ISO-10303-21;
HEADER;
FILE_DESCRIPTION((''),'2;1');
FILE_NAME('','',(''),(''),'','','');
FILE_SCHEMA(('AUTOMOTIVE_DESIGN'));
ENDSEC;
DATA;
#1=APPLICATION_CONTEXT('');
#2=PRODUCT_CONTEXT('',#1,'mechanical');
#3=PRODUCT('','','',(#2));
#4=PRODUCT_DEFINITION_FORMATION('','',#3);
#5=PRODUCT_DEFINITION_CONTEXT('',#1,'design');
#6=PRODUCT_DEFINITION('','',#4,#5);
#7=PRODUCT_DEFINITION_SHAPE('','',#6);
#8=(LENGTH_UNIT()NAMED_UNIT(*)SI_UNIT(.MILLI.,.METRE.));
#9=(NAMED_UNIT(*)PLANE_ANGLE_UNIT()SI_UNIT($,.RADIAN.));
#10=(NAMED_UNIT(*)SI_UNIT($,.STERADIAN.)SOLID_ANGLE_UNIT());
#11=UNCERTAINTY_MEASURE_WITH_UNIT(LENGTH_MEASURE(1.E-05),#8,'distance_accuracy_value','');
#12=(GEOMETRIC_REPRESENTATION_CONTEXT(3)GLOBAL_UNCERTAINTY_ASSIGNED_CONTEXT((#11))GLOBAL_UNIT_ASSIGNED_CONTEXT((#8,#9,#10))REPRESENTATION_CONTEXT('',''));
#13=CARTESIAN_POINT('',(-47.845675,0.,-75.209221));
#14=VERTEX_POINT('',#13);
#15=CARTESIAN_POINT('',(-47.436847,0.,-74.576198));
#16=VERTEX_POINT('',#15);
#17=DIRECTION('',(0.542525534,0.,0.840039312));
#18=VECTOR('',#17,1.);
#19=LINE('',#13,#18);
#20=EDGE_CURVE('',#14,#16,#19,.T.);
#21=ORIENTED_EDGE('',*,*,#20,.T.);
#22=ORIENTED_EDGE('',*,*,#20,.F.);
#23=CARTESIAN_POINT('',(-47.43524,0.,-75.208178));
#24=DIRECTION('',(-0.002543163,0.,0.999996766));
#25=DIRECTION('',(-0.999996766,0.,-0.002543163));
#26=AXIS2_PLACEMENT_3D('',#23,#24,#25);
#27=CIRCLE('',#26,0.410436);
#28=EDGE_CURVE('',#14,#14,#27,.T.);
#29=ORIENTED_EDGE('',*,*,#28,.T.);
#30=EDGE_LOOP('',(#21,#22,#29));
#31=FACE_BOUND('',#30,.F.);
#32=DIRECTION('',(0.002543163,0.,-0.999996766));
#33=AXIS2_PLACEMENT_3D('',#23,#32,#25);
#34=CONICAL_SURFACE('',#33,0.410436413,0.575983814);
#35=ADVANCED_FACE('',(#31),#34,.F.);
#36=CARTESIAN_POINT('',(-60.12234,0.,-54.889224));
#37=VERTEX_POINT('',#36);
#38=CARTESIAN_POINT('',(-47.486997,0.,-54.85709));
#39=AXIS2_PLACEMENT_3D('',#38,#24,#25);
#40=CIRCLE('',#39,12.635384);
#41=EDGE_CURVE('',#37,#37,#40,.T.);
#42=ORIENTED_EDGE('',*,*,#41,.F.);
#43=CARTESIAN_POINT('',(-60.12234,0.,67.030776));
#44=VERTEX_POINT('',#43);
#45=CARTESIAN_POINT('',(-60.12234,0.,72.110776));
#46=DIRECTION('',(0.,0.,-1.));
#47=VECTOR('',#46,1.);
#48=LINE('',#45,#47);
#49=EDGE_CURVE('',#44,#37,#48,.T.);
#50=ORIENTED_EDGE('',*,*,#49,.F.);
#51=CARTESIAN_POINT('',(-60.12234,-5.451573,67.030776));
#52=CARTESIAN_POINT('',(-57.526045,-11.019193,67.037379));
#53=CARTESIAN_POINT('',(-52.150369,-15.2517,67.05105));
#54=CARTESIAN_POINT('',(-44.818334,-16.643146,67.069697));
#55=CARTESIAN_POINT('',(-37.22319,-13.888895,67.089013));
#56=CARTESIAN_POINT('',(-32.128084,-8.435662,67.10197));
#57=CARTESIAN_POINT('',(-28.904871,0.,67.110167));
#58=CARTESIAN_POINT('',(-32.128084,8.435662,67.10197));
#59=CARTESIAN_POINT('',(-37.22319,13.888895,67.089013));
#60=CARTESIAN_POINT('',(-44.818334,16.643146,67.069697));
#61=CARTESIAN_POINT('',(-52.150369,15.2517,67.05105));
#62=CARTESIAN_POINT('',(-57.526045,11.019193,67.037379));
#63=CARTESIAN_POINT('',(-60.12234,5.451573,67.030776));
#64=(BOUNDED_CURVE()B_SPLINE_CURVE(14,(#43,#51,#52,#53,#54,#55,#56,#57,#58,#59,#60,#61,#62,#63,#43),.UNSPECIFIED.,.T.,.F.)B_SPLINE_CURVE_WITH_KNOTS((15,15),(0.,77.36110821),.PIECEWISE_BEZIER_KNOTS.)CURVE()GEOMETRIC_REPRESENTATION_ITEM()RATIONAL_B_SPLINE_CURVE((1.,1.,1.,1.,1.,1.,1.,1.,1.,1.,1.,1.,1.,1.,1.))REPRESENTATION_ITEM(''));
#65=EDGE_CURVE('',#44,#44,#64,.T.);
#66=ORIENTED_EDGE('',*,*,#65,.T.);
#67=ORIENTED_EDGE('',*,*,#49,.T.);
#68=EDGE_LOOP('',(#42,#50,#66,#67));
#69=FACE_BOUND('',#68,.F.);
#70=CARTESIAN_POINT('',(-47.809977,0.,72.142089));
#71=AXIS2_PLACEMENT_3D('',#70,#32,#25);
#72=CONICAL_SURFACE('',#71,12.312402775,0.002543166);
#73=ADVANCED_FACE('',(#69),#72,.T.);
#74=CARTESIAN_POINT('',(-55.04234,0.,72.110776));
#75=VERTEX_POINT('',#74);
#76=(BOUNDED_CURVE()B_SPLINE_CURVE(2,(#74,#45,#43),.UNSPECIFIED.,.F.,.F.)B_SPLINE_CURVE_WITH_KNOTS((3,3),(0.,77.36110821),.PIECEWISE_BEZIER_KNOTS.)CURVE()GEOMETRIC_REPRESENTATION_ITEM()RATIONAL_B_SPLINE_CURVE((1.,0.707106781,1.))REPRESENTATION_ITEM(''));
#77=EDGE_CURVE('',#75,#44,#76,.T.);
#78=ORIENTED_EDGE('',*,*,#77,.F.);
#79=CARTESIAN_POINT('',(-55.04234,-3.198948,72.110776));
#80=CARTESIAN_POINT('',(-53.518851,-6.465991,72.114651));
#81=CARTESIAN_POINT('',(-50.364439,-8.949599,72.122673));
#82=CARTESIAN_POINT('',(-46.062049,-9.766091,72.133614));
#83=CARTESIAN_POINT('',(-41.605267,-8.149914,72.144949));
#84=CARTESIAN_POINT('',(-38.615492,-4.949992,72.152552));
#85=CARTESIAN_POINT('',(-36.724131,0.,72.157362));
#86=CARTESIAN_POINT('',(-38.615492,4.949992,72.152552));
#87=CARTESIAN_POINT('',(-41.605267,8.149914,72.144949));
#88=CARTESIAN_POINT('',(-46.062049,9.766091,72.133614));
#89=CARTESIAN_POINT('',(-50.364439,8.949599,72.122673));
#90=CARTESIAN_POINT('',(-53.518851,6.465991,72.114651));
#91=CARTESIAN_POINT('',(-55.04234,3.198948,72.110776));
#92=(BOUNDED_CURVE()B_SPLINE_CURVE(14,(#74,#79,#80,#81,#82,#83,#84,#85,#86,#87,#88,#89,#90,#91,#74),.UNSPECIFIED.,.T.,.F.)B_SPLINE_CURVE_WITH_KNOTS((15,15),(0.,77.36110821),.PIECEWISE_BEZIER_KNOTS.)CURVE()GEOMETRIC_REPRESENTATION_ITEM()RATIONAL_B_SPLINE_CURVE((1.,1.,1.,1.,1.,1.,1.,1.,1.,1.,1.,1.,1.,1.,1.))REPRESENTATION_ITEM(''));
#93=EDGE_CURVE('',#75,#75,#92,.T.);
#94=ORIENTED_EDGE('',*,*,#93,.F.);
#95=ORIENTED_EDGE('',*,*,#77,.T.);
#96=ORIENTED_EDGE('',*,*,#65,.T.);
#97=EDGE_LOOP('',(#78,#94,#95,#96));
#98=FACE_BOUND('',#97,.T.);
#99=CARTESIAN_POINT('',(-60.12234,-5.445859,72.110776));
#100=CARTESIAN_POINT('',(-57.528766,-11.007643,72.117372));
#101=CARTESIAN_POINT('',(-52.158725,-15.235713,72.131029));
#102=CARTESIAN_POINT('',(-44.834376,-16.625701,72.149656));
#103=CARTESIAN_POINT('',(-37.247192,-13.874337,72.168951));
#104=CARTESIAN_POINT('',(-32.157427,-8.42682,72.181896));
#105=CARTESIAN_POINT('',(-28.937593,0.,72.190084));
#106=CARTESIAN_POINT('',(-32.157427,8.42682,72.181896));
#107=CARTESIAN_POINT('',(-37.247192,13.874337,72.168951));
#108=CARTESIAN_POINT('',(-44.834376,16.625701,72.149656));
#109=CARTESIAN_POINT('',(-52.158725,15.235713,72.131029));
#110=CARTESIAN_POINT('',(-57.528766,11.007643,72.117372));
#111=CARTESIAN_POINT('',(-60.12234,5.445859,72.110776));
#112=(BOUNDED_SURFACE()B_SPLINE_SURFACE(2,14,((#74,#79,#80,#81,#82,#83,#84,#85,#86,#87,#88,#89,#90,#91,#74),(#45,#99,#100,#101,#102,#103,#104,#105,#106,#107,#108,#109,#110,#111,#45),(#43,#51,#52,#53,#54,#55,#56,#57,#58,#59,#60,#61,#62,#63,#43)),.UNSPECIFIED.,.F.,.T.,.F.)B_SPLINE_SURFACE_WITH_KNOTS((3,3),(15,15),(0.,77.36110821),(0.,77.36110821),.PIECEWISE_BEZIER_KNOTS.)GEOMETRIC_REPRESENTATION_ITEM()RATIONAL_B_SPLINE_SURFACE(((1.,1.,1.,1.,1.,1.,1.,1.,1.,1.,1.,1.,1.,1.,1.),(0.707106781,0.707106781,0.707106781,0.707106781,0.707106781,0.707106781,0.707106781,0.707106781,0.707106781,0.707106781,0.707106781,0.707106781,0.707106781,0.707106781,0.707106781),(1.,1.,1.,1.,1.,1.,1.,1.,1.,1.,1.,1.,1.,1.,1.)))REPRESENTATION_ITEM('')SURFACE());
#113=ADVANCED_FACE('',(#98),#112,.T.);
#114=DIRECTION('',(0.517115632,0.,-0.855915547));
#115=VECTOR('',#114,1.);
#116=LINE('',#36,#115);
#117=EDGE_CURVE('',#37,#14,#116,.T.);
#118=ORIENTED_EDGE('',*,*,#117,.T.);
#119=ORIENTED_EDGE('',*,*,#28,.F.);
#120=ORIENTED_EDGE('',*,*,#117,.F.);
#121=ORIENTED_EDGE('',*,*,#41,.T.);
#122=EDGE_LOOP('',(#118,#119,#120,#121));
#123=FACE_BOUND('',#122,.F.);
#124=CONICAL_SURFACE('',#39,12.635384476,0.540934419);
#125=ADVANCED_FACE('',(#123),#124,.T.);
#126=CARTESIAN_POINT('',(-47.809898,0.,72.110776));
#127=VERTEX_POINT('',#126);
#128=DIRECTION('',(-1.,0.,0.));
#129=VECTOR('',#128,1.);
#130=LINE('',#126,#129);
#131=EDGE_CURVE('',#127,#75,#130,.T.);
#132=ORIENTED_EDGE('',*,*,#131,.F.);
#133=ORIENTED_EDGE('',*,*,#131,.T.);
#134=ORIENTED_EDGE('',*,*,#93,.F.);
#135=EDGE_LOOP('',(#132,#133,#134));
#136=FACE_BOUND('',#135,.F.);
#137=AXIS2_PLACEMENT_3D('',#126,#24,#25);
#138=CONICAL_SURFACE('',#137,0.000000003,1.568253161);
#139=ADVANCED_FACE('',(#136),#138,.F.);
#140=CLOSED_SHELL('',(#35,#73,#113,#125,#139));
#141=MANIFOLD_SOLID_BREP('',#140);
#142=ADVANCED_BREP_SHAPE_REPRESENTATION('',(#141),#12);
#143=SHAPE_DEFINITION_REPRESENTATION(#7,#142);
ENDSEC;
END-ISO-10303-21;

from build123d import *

# Parameters (mm, degrees)
F2_R = 5.08


with BuildPart() as f1:
    # F0 (on Front) → F1 (revolve)
    with BuildSketch(Plane.XZ):
        Polygon((-47.8098975513, 72.1107760788), (-60.1223401397, 72.1107760788), (-60.1223401397, 46.7107760788), (-47.7453010011, 46.7107760788), align=None)
        Polygon((-47.7453010011, 46.7107760788), (-60.1223401397, 46.7107760788), (-60.1223401397, -54.8892239212), (-47.4869148007, -54.8892239212), align=None)
        Polygon((-47.4869148007, -54.8892239212), (-60.1223401397, -54.8892239212), (-47.8456753104, -75.2092213272), (-47.4368474546, -74.57619772), align=None)
    revolve(axis=Axis((-47.6340077251, 0, 2.9491633177), (-0.002543163, 0, 0.9999967662)))

    # F2
    f2_edges = [f1.edges().sort_by_distance(p)[0] for p in [
        (-35.497614, 0, 72.173401),
    ]]
    fillet(f2_edges, radius=F2_R)


solid = f1.part
